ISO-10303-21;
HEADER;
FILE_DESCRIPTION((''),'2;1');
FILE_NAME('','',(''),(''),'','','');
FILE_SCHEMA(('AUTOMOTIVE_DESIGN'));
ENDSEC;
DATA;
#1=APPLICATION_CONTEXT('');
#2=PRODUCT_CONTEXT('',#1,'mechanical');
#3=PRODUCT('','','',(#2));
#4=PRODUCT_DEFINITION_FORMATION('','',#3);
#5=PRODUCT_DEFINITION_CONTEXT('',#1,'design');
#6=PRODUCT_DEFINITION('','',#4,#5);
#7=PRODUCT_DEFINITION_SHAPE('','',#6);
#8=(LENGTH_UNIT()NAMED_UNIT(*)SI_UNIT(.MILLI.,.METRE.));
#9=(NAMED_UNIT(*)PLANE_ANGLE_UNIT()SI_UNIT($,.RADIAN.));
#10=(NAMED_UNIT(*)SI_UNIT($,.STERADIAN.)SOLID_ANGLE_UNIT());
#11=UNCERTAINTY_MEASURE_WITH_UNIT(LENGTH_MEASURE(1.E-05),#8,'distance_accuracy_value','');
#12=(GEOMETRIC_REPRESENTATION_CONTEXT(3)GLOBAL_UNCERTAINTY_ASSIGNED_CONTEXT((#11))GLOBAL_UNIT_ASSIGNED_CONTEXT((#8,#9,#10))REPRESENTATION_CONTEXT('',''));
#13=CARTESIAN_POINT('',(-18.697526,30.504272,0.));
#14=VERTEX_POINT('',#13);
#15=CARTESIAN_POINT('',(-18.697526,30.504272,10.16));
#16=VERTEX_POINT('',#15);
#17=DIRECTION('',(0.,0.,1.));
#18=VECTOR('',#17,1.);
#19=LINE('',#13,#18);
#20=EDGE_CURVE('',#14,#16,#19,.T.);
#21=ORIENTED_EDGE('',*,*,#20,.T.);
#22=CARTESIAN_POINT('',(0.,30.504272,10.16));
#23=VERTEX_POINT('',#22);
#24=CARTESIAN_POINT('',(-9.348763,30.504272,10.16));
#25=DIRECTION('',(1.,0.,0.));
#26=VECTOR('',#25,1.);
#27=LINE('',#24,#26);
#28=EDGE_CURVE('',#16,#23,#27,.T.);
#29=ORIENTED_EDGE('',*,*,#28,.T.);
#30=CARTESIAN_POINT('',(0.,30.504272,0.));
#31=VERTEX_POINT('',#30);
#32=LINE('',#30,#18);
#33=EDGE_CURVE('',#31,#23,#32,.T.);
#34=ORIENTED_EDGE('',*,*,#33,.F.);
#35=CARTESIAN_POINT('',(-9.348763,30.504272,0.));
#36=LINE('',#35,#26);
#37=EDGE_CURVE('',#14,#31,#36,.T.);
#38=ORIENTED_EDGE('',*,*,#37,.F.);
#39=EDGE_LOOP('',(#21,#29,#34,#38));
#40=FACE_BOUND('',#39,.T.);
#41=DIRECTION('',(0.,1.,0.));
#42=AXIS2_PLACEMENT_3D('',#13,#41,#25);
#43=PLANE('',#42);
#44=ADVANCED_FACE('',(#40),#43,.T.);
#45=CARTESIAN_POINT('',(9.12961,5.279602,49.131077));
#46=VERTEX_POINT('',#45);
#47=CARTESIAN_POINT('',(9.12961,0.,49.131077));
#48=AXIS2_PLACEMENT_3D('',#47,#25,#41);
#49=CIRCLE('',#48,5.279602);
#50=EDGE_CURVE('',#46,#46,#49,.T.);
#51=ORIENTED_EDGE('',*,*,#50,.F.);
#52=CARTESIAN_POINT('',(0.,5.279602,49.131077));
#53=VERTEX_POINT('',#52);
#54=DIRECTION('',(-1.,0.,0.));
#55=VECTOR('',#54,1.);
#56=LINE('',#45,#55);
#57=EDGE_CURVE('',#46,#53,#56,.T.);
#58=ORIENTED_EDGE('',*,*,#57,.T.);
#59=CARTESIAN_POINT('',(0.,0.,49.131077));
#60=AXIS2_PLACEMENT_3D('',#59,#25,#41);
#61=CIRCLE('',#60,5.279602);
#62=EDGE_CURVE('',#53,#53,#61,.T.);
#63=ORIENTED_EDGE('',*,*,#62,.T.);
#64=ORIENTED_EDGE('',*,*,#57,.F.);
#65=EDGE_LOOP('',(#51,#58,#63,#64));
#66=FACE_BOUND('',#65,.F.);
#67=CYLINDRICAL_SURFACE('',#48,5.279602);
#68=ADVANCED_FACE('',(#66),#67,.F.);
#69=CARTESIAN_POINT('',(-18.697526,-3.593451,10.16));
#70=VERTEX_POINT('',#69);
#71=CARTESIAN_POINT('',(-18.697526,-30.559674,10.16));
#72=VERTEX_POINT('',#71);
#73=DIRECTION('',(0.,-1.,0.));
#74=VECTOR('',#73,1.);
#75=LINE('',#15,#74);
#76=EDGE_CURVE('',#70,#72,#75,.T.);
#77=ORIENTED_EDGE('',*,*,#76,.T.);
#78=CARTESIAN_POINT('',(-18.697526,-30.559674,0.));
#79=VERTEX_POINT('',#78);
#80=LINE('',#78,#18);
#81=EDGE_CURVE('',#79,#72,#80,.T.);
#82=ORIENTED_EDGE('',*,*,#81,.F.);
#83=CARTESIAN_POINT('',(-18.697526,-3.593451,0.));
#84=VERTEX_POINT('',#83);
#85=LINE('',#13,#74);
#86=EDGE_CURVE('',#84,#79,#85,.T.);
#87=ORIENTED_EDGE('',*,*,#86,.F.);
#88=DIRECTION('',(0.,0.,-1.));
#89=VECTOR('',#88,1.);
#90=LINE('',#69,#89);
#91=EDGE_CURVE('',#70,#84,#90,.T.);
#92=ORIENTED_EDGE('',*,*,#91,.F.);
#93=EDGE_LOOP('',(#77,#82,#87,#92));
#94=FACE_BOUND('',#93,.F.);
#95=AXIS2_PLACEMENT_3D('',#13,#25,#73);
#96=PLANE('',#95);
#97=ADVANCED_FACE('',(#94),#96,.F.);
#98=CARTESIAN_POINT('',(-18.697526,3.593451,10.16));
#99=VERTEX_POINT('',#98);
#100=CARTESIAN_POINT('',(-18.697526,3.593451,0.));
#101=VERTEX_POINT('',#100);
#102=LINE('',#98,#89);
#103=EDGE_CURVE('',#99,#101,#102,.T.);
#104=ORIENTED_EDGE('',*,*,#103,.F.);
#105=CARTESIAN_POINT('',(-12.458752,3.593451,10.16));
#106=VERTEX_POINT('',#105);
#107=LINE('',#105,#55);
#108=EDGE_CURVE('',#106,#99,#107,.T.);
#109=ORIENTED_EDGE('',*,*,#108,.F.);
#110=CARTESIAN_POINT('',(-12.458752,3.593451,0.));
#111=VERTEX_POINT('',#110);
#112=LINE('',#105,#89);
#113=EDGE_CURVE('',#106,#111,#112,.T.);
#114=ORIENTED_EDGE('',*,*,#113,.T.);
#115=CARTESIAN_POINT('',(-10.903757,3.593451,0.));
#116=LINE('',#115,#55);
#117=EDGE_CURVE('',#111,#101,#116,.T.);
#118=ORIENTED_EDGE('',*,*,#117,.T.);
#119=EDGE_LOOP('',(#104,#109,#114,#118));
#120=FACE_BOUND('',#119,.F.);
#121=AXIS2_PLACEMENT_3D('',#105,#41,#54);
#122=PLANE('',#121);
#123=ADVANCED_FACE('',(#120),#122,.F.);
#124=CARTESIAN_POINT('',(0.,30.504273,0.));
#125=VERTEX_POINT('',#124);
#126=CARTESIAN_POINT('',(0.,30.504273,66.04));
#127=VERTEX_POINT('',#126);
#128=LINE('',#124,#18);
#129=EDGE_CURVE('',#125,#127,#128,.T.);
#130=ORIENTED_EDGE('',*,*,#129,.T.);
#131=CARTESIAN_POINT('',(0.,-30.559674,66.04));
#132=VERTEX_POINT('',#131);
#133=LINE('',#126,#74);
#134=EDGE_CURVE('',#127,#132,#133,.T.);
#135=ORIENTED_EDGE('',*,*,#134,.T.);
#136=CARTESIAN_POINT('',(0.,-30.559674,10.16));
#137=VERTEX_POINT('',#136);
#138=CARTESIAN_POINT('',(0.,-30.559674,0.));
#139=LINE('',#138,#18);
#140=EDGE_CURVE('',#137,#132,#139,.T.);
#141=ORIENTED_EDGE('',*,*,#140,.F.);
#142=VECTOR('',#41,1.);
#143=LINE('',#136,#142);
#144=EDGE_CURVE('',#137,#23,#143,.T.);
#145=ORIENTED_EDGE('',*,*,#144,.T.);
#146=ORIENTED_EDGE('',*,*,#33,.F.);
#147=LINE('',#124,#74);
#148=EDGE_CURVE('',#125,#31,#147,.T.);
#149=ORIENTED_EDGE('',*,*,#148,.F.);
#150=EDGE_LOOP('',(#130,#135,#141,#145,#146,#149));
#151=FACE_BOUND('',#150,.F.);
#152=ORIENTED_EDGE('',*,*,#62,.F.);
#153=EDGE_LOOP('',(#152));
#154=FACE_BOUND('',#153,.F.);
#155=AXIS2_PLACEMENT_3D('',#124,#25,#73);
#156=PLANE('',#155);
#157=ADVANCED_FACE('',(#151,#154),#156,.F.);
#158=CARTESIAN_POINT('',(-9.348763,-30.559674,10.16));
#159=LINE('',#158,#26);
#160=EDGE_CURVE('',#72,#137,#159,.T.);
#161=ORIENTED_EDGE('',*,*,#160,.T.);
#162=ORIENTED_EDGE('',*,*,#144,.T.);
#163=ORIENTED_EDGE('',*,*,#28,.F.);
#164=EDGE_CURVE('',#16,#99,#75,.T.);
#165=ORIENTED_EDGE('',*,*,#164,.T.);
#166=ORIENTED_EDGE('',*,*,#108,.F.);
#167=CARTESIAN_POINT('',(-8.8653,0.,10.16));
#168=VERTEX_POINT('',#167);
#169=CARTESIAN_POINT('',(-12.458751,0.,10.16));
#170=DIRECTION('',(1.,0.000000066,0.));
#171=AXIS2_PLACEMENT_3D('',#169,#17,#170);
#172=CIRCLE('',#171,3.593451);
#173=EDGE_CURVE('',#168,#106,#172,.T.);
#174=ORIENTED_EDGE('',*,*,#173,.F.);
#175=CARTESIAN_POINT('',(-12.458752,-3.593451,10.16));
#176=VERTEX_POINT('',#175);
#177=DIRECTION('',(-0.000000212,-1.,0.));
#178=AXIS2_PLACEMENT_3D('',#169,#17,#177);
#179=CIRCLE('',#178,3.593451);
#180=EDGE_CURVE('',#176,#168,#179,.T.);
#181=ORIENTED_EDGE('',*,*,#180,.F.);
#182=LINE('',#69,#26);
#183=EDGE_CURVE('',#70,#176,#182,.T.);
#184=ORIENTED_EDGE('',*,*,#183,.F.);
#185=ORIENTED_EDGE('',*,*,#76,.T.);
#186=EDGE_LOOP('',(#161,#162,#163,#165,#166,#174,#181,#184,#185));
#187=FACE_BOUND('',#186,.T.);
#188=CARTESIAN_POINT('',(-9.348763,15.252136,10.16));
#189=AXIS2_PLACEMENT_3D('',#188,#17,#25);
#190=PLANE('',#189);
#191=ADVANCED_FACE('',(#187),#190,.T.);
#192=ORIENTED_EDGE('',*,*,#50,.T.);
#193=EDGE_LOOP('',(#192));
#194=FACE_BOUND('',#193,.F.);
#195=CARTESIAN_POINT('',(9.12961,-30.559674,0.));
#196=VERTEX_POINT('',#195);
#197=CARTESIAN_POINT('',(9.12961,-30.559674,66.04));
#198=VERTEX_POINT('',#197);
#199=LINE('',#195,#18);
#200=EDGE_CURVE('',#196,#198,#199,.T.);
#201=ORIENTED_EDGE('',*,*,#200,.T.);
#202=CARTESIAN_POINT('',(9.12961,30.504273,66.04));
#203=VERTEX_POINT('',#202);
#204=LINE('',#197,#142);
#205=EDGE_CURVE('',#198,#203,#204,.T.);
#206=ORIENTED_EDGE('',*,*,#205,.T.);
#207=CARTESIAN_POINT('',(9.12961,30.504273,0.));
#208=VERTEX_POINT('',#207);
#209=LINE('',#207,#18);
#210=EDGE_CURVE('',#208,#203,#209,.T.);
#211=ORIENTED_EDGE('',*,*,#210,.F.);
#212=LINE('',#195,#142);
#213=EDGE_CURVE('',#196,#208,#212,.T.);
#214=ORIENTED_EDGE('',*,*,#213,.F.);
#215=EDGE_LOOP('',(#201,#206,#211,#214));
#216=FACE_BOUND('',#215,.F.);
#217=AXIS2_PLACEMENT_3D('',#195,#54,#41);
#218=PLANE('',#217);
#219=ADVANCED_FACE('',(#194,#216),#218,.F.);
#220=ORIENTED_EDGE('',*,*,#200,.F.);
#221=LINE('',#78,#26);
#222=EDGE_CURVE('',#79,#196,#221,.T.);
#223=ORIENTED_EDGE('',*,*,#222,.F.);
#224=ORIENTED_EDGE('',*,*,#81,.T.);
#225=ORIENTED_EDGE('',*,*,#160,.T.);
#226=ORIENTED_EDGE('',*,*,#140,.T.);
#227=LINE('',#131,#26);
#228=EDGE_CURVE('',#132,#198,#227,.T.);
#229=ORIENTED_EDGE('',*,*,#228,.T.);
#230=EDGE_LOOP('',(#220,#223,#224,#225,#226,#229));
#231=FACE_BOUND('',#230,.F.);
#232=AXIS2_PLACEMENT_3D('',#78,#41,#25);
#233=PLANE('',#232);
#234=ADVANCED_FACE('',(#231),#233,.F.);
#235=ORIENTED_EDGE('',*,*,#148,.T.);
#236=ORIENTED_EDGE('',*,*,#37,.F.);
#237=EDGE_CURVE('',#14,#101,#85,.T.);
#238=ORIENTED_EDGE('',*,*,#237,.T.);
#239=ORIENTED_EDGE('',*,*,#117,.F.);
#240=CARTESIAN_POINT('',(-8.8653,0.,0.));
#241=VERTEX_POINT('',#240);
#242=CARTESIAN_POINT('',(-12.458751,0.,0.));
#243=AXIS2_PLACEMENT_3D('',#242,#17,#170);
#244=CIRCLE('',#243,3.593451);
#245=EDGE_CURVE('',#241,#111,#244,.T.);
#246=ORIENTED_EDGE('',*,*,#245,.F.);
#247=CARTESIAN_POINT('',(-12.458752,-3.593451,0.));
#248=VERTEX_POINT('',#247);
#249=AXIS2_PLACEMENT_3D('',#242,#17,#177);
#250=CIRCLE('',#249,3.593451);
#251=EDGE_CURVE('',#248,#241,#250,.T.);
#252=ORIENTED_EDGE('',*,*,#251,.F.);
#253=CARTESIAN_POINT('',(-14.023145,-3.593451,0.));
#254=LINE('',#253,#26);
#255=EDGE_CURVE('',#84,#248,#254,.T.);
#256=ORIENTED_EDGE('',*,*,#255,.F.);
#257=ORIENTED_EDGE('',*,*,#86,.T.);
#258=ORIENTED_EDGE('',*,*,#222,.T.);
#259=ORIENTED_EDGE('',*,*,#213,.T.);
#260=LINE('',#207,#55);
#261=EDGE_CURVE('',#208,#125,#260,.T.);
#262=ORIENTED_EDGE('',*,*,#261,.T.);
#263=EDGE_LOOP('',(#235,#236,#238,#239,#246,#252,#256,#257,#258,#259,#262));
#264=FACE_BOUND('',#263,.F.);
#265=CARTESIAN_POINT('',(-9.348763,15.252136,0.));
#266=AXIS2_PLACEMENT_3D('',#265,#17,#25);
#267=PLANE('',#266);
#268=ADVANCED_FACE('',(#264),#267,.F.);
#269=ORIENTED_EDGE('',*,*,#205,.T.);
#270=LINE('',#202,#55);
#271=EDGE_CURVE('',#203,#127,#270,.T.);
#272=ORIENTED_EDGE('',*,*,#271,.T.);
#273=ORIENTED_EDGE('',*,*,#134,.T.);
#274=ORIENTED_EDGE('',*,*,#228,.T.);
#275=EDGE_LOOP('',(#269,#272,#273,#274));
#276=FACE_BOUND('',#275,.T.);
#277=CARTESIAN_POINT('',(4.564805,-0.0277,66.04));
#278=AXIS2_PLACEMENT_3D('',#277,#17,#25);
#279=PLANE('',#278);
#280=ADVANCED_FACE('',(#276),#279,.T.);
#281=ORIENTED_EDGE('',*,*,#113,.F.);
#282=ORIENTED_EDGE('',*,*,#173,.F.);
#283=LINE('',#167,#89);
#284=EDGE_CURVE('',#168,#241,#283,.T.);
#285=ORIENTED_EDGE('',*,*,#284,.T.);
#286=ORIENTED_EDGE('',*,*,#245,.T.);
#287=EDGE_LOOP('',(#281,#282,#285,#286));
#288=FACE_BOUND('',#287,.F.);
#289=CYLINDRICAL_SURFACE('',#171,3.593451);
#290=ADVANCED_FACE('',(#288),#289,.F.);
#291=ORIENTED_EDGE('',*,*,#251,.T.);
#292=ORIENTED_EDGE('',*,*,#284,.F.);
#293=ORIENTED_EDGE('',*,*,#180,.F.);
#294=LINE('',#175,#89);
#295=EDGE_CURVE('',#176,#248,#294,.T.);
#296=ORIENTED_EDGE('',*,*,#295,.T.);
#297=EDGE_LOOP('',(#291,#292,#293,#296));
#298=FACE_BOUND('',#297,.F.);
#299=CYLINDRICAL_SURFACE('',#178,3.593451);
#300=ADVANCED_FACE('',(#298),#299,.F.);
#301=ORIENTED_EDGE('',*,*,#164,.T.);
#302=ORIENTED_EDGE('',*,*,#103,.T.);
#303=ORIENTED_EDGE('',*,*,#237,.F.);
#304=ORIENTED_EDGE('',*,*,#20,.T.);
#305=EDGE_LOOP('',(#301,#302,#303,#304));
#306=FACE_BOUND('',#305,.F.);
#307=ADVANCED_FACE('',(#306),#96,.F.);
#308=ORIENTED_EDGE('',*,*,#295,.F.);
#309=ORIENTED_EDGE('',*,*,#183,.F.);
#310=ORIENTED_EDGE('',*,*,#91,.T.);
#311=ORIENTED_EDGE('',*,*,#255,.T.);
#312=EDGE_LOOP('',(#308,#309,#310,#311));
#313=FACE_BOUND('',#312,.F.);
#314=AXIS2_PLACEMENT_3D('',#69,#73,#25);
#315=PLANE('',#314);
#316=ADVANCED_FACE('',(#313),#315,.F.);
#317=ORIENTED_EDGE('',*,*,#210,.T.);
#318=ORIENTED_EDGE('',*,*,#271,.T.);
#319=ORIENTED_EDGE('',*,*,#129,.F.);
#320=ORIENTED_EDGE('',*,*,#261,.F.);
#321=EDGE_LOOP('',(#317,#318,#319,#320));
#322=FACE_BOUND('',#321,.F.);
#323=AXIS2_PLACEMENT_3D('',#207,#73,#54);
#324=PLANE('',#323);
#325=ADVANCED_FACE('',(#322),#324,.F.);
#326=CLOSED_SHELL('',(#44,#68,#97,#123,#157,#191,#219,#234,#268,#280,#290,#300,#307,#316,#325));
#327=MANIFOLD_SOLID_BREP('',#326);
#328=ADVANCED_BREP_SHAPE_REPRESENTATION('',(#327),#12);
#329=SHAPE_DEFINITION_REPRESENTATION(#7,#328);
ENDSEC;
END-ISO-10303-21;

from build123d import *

# Parameters (mm, degrees)
F1_DEPTH = 66.04
F0_W     = 18.697526
F0_H     = 30.504273
F0_H_2   = 30.559674
F2_DEPTH = 10.16
F3_R     = 5.279602
F4_DEPTH = 25.4
F6_DEPTH = 25.4


with BuildPart() as f1:
    # F0 (on Top) → F1 (new body)
    with BuildSketch(Plane.XY):
        Polygon((0, 30.504273), (0, 0), (0, -30.559674), (9.12961, -30.559674), (9.12961, 30.504273), align=None)
    extrude(amount=F1_DEPTH)

    # F0 (on Top) → F2 (join)
    with BuildSketch(Plane.XY):
        with Locations((-9.348763, 15.252136)):
            Rectangle(F0_W, F0_H)
        with Locations((-9.348763, -15.279837)):
            Rectangle(F0_W, F0_H_2)
    extrude(amount=F2_DEPTH)

    # F3 (on face) → F4 (cut)
    with BuildSketch(Plane.YZ.offset(9.12961)):
        with Locations((0, 49.131077)):
            Circle(F3_R)
    extrude(amount=-F4_DEPTH, mode=Mode.SUBTRACT)

    # F5 (on face) → F6 (cut)
    with BuildSketch(Plane.XY.offset(10.16)):
        with BuildLine():
            ThreePointArc((-12.458752, -3.593451), (-9.917798, -2.540954), (-8.8653, 0))
            ThreePointArc((-8.8653, 0), (-9.917798, 2.540954), (-12.458752, 3.593451))
            Line((-12.458752, 3.593451), (-12.458752, 0))
            Line((-12.458752, 0), (-12.458752, -3.593451))
        make_face()
        with BuildLine():
            Line((-12.458752, 0), (-12.458752, 3.593451))
            ThreePointArc((-12.458752, 3.593451), (-16.052203, 0), (-12.458752, -3.593451))
            Line((-12.458752, -3.593451), (-12.458752, 0))
        make_face()
        with BuildLine():
            ThreePointArc((-12.458752, -3.593451), (-16.052203, 0), (-12.458752, 3.593451))
            Line((-12.458752, 3.593451), (-18.697526, 3.593451))
            Line((-18.697526, 3.593451), (-18.697526, -3.593451))
            Line((-18.697526, -3.593451), (-12.458752, -3.593451))
        make_face()
    extrude(amount=-F6_DEPTH, mode=Mode.SUBTRACT)


solid = f1.part
